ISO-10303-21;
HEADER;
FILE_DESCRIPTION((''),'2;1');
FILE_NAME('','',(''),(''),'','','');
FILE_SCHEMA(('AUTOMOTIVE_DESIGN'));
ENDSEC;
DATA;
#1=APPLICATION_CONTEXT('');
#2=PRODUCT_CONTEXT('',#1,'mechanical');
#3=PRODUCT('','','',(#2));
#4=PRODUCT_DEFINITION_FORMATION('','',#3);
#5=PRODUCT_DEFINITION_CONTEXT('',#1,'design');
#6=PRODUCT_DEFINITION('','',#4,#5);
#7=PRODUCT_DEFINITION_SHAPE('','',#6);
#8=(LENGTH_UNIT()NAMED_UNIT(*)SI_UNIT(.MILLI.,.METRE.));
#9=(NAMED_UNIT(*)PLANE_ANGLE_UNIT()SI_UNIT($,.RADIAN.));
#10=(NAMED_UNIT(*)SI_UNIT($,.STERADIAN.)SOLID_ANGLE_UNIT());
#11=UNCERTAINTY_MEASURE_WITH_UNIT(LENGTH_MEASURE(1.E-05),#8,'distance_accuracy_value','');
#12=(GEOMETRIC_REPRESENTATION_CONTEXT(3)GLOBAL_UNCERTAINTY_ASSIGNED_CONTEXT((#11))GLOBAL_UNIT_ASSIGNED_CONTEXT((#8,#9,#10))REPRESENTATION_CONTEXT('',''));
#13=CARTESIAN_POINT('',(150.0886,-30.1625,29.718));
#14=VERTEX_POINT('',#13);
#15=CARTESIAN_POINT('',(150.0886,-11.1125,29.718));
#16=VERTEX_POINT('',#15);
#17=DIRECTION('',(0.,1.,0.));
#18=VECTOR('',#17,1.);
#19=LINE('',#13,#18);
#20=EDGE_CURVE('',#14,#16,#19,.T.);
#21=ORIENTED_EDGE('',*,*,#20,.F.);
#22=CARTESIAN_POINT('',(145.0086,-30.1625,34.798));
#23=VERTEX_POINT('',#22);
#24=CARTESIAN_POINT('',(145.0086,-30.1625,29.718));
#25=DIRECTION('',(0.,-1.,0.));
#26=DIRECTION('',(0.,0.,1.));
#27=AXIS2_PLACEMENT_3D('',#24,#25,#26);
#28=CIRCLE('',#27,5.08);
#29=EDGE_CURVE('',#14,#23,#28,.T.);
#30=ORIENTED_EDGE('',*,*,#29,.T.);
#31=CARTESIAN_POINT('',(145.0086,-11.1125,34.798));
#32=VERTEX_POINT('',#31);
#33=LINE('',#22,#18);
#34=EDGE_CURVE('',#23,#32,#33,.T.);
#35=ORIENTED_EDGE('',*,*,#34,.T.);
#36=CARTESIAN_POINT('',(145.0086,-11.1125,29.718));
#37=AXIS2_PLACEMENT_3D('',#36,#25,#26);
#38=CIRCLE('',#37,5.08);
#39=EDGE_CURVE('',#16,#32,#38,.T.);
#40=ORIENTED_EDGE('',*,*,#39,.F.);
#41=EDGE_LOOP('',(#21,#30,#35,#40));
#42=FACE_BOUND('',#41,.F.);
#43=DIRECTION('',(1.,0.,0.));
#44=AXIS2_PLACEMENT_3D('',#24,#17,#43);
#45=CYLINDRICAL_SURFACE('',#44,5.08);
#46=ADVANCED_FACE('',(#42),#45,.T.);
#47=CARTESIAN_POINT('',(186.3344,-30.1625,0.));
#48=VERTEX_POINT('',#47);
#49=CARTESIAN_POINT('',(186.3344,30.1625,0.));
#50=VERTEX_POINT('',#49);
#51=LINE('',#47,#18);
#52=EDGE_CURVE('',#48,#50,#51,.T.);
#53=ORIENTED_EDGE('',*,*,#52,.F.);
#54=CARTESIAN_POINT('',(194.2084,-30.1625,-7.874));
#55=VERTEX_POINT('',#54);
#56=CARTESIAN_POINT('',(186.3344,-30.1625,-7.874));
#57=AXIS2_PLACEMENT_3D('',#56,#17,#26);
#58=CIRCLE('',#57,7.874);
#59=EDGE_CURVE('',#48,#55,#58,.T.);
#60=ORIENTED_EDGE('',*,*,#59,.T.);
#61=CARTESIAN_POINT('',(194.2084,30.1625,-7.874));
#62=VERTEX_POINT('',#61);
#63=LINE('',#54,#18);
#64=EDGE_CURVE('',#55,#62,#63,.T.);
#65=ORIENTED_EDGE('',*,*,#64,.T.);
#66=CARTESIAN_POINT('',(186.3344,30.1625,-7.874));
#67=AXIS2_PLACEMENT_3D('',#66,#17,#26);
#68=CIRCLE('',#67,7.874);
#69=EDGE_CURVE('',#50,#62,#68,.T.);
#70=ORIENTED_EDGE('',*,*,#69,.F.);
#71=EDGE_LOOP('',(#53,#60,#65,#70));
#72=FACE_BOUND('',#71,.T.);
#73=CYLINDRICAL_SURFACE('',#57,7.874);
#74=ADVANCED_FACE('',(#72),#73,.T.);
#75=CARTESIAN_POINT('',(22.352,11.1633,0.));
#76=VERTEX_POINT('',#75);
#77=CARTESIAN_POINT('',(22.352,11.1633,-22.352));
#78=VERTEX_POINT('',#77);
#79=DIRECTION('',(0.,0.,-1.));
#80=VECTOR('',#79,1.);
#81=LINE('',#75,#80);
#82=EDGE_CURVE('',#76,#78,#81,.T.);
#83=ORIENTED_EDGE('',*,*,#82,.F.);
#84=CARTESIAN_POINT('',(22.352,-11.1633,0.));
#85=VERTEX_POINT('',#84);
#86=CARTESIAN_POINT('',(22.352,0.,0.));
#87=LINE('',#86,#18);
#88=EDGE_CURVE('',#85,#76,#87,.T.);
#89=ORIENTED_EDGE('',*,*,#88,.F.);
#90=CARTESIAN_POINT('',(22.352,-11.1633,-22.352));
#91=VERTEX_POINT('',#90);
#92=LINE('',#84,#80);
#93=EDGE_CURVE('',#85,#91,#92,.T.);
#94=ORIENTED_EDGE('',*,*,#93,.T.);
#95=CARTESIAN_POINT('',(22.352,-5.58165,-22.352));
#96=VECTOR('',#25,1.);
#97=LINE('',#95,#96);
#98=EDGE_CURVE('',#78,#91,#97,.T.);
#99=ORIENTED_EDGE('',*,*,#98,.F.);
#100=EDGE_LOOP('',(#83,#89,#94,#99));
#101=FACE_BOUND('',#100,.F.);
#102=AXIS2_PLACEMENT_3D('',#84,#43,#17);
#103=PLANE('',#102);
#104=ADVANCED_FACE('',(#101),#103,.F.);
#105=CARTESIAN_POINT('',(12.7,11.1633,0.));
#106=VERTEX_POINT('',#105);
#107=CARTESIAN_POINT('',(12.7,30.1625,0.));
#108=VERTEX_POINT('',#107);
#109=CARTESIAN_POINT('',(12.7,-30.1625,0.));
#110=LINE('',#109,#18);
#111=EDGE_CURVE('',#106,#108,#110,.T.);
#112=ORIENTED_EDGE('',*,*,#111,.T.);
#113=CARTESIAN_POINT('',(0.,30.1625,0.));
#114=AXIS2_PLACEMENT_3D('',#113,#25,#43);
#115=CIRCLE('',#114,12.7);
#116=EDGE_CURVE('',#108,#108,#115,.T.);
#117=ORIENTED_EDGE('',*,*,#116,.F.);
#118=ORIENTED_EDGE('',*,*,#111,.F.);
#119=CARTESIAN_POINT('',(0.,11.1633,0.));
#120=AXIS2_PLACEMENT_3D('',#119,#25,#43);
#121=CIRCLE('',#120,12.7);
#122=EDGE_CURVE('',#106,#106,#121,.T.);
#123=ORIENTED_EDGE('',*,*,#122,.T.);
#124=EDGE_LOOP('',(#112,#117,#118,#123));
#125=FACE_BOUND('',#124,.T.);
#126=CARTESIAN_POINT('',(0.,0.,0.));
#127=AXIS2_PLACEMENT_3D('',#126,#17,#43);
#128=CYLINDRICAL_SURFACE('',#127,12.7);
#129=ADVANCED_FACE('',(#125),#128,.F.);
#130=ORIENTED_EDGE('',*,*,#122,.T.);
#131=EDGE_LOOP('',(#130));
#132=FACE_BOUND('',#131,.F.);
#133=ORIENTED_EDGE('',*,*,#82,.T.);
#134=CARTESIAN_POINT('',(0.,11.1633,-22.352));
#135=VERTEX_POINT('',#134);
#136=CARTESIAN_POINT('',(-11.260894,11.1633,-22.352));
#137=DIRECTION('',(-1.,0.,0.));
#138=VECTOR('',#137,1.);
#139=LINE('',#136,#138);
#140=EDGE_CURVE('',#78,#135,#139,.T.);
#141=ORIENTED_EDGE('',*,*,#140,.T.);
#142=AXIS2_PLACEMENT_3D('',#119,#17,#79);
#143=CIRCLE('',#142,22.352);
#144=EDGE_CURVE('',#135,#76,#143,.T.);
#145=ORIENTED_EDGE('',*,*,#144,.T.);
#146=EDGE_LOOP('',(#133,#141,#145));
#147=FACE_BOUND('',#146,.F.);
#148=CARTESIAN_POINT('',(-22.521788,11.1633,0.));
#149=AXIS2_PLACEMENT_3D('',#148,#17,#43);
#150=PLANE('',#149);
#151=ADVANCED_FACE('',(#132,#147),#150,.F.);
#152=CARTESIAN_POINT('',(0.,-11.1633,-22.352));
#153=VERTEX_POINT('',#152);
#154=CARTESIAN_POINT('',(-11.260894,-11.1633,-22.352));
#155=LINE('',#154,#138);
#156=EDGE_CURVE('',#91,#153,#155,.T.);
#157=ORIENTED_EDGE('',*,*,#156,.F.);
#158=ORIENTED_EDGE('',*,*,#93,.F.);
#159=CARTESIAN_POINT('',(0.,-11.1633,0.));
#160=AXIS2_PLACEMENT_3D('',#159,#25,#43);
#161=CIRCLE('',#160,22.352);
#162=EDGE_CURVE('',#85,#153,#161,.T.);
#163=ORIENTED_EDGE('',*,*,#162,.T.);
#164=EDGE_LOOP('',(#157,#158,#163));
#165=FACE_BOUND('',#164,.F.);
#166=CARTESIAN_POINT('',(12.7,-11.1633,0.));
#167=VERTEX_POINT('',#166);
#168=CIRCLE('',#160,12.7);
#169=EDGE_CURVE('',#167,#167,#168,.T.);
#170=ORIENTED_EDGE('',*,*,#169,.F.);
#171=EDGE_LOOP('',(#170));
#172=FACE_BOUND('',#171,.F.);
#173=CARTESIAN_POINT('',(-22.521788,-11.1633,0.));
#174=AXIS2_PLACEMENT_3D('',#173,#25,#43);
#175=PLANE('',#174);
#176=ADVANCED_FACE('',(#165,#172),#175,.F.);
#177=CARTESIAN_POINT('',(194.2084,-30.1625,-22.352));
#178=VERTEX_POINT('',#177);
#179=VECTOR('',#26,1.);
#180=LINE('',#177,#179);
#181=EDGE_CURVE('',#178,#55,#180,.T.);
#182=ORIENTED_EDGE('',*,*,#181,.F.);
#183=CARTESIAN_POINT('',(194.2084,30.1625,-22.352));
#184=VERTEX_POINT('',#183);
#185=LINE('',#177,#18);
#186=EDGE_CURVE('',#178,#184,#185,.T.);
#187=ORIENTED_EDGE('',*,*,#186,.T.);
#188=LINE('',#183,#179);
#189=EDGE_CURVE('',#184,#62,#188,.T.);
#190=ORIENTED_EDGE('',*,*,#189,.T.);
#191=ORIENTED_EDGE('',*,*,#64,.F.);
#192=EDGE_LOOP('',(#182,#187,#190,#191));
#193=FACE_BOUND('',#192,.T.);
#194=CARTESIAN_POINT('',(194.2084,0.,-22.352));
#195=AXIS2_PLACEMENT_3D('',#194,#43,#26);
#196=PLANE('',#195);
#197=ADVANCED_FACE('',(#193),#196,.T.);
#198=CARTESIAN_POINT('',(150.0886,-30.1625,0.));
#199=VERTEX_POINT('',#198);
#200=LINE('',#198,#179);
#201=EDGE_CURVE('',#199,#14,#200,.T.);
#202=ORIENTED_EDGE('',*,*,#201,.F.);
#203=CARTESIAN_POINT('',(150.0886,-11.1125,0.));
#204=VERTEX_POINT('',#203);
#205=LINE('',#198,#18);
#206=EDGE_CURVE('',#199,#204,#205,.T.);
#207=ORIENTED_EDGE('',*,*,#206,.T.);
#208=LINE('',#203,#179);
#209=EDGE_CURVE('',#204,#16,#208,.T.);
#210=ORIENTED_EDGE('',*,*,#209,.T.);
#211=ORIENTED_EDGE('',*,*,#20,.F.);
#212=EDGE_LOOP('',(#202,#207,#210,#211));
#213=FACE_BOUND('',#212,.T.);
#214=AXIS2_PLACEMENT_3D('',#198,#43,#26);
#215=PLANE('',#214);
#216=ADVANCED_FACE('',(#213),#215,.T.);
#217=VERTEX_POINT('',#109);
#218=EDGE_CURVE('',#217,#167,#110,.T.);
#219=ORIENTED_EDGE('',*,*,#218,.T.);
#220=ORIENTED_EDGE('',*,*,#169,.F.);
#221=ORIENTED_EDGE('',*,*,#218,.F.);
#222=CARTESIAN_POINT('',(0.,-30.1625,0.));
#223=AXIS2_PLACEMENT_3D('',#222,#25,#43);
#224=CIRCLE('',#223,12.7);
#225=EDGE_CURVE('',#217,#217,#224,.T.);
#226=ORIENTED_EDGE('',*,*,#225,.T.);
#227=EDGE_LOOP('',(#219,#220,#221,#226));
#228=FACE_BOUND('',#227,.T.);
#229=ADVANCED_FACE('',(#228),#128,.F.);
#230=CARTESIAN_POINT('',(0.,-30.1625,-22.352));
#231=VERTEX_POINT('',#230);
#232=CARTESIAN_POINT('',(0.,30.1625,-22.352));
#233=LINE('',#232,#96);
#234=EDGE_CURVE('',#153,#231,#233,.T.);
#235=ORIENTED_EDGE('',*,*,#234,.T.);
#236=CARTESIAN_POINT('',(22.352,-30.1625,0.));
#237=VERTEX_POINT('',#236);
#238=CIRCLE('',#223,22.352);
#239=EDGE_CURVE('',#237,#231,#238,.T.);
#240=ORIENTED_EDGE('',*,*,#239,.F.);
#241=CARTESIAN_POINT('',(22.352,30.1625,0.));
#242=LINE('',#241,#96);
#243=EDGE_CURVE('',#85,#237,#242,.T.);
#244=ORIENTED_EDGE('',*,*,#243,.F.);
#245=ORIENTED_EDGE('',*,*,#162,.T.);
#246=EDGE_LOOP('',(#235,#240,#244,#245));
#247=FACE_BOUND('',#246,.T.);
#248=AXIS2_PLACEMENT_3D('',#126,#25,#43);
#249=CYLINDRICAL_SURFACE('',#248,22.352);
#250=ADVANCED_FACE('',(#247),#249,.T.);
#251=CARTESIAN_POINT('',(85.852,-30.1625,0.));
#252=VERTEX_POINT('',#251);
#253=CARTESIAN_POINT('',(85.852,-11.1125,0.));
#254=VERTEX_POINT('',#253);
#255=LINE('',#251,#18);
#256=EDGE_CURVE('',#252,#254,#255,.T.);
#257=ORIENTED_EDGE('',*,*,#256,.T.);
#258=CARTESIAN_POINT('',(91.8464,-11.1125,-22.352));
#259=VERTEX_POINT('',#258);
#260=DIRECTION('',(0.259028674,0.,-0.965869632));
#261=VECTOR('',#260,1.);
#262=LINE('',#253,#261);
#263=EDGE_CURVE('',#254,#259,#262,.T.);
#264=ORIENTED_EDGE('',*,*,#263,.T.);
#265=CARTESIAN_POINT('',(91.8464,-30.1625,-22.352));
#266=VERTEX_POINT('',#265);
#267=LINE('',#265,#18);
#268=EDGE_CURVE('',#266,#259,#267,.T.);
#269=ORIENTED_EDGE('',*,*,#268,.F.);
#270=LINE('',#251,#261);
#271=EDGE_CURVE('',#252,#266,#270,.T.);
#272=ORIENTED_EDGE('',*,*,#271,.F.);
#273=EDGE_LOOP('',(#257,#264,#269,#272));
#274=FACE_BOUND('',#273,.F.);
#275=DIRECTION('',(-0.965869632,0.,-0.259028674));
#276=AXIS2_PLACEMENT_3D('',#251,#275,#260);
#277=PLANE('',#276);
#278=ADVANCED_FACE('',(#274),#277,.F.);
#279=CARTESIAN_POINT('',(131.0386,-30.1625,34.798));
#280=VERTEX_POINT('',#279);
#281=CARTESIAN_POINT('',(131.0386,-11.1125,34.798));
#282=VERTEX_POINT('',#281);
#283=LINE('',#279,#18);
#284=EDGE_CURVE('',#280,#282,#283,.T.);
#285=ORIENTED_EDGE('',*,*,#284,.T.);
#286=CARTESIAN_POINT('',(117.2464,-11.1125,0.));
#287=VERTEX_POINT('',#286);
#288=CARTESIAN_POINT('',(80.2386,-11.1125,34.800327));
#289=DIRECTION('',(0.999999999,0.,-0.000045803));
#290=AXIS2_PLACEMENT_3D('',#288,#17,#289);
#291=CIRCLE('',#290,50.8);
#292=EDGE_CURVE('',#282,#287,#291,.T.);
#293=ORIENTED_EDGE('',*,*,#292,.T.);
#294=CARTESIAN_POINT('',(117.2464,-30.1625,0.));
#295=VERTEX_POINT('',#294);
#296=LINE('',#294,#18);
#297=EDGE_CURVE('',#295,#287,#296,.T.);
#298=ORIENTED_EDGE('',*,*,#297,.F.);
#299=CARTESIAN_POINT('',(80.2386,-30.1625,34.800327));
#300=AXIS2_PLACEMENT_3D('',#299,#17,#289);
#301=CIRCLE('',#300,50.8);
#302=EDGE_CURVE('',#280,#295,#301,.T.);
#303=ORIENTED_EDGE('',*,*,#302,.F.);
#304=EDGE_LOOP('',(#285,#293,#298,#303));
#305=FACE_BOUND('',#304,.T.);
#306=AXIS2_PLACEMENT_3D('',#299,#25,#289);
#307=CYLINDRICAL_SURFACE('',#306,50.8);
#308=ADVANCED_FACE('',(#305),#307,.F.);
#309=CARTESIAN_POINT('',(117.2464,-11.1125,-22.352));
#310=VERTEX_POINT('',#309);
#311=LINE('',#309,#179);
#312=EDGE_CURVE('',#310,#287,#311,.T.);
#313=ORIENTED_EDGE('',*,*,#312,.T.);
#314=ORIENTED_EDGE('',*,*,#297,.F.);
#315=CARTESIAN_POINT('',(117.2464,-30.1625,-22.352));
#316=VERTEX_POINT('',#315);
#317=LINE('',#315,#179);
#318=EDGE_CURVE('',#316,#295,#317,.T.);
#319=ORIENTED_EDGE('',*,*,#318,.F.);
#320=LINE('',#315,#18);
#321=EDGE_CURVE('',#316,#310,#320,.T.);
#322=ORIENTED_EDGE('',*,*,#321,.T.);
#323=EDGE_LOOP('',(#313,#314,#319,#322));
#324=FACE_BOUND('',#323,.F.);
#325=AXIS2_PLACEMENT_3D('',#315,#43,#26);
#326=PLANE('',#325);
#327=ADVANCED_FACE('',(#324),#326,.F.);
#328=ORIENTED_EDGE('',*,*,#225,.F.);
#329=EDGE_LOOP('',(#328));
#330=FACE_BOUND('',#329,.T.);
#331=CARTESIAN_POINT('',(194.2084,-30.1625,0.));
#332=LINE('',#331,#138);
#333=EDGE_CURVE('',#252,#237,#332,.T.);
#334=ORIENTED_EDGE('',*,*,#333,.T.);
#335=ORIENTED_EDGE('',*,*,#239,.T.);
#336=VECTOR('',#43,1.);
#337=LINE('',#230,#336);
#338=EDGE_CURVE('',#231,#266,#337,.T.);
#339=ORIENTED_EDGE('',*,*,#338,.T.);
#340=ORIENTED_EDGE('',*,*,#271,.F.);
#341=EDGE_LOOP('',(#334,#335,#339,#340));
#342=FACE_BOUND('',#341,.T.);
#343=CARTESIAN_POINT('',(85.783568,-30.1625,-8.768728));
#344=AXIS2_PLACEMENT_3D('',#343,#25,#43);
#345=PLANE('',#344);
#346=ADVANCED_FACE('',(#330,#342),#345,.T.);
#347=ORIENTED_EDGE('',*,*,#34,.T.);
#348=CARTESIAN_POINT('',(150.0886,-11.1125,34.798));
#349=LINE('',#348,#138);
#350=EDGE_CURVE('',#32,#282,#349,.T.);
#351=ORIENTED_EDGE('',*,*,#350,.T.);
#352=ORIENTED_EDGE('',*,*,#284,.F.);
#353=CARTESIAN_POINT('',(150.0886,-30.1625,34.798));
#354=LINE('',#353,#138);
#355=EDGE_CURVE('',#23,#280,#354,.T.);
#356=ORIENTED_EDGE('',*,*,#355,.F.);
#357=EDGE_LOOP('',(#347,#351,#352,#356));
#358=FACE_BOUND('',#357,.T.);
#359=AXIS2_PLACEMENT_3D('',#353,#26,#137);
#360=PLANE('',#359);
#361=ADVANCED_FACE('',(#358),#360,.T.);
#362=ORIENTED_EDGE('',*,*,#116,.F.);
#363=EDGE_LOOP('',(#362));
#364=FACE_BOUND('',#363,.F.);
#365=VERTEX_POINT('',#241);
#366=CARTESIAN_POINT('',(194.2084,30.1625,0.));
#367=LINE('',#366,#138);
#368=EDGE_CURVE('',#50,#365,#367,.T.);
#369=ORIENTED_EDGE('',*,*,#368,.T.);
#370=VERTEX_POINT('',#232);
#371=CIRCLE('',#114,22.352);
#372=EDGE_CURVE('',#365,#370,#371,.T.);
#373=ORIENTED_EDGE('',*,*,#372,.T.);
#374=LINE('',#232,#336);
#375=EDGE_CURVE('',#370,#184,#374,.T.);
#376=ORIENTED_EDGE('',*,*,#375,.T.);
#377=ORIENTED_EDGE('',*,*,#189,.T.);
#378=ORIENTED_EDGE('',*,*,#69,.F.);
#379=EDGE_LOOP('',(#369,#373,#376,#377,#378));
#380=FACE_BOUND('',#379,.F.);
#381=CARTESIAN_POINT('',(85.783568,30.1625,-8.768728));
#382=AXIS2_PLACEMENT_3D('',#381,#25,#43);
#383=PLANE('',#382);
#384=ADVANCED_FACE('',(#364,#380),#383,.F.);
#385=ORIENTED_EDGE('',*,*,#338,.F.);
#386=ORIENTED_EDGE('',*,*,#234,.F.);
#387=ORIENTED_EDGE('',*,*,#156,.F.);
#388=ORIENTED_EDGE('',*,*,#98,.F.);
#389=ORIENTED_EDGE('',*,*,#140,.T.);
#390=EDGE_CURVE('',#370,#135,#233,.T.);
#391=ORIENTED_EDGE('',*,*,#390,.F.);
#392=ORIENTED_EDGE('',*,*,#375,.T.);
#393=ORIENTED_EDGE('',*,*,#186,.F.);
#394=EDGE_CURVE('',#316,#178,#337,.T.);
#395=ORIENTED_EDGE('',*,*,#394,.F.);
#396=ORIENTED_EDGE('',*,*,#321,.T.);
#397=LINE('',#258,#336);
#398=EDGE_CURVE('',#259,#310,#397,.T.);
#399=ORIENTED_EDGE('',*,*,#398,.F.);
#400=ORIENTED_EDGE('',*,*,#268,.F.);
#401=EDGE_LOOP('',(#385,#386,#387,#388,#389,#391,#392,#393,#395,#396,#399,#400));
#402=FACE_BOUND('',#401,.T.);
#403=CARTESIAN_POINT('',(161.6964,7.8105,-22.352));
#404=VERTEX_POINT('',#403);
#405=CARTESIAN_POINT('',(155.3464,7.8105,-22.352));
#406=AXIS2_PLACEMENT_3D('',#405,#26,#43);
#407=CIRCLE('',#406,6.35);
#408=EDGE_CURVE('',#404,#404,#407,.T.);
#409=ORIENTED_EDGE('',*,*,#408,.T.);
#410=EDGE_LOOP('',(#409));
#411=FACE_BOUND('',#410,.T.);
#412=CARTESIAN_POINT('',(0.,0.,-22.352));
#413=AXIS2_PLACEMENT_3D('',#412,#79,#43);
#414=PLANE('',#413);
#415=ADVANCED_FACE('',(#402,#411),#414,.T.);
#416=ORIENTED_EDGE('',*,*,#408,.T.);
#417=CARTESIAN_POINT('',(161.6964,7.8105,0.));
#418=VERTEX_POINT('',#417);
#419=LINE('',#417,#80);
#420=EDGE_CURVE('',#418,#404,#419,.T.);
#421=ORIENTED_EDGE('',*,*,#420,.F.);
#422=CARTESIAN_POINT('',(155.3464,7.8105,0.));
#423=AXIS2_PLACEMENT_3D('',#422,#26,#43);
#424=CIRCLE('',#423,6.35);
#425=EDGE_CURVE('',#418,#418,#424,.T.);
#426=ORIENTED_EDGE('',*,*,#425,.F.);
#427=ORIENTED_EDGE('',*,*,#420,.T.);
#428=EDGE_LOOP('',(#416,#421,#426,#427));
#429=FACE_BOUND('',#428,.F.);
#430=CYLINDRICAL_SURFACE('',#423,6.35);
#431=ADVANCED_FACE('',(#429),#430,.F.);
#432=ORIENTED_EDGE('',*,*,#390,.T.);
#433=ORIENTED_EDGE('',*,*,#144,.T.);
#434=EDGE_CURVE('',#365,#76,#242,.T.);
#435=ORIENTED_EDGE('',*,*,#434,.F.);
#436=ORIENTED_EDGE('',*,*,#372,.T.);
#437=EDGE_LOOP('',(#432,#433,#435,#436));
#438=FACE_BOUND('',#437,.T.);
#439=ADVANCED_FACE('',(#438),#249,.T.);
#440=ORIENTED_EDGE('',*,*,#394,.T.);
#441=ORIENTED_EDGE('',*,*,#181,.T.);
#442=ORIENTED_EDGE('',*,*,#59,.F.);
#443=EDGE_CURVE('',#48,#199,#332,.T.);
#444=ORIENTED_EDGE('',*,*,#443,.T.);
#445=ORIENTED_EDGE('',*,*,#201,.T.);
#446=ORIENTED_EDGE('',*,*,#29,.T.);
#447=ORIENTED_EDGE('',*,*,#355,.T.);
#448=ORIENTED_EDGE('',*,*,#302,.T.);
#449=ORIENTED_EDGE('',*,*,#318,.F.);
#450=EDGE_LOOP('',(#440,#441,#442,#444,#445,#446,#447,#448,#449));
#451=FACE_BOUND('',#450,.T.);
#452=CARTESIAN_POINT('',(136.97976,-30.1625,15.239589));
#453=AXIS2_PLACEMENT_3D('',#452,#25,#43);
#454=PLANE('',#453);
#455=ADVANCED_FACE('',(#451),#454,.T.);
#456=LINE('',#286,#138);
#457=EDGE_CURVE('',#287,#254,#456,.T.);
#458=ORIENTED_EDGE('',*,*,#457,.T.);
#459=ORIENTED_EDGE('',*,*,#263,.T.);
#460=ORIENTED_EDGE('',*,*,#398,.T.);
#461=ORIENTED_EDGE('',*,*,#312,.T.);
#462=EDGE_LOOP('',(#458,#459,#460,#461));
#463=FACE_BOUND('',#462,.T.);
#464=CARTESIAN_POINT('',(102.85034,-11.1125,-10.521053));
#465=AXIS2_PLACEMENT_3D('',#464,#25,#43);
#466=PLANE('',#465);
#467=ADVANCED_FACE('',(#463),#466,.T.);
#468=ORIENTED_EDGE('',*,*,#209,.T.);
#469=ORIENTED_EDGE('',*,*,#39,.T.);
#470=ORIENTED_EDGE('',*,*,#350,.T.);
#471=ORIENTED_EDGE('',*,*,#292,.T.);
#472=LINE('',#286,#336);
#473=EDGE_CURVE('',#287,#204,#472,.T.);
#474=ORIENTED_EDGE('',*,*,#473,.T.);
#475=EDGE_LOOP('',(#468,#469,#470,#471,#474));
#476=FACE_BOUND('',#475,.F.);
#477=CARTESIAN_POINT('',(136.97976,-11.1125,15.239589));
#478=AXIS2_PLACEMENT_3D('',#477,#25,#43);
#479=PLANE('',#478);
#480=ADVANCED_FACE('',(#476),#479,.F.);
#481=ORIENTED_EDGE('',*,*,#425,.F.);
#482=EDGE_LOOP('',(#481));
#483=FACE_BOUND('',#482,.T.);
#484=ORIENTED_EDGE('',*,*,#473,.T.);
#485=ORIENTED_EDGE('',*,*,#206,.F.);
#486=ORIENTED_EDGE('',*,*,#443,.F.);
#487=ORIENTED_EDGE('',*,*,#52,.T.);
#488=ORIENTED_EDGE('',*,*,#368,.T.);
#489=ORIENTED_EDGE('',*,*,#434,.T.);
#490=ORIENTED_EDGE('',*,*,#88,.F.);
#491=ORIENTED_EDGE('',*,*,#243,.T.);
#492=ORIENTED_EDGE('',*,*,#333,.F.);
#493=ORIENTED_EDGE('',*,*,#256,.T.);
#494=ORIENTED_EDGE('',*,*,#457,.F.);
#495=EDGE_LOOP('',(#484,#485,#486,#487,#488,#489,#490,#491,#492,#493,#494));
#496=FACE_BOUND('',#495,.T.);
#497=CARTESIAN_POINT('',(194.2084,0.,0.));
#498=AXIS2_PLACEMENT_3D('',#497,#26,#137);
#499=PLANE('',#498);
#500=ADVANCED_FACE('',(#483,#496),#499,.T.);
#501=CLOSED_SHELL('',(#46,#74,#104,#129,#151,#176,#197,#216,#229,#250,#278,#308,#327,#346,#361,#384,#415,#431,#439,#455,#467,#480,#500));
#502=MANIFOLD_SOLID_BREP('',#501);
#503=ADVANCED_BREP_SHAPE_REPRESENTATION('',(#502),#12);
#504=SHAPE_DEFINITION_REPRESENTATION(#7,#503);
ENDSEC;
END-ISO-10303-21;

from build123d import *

# Parameters (mm, degrees)
F0_R          = 12.7
F1_DEPTH      = 30.1625
F2_W          = 44.8737880948
F2_H          = 22.3266
F3_DEPTH      = 22.353
F3_DEPTH_BACK = 22.353
F5_DEPTH      = 19.05
F7_DEPTH      = 19.05
F8_R          = 6.35
F9_DEPTH      = 22.353
F10_R         = 7.874
F11_R         = 5.08


with BuildPart() as f1:
    # F0 (on Front) → F1 (new body, symmetric)
    with BuildSketch(Plane.XZ):
        with BuildLine():
            Line((194.2084, 0), (22.352, 0))
            ThreePointArc((22.352, 0), (-15.8052507731, 15.8052507731), (0, -22.352))
            Line((0, -22.352), (194.2084, -22.352))
            Line((194.2084, -22.352), (194.2084, 0))
        make_face()
        Circle(F0_R, mode=Mode.SUBTRACT)
    extrude(amount=F1_DEPTH, both=True)

    # F2 (on face) → F3 (cut, two sides)
    with BuildSketch(Plane.XY) as f3_sk:
        with Locations((-0.0848940474, 0)):
            Rectangle(F2_W, F2_H)
    extrude(amount=-F3_DEPTH, mode=Mode.SUBTRACT)
    extrude(f3_sk.sketch, amount=F3_DEPTH_BACK, mode=Mode.SUBTRACT)

    # F4 (on face) → F5 (cut)
    with BuildSketch(Plane.XZ.offset(30.1625)):
        Polygon((117.2464, 0), (85.852, 0), (91.8464, -22.352), (117.2464, -22.352), align=None)
    extrude(amount=-F5_DEPTH, mode=Mode.SUBTRACT)

    # F6 (on face) → F7 (join)
    with BuildSketch(Plane.XZ.offset(30.1625)):
        with BuildLine():
            Line((150.0886, 34.798), (131.0386, 34.798))
            ThreePointArc((131.0386, 34.798), (127.4644153616, 16.0823576341), (117.2464, 0))
            Line((117.2464, 0), (150.0886, 0))
            Line((150.0886, 0), (150.0886, 34.798))
        make_face()
    extrude(amount=-F7_DEPTH)

    # F8 (on face) → F9 (cut, through all)
    with BuildSketch(Plane.XY):
        with Locations((155.3464, 7.8105)):
            Circle(F8_R)
    extrude(amount=-F9_DEPTH, mode=Mode.SUBTRACT)

    # F10
    f10_edges = [f1.edges().sort_by_distance(p)[0] for p in [
        (194.2084, 0, 0),
    ]]
    fillet(f10_edges, radius=F10_R)

    # F11
    f11_edges = [f1.edges().sort_by_distance(p)[0] for p in [
        (150.0886, -20.6375, 34.798),
    ]]
    fillet(f11_edges, radius=F11_R)


solid = f1.part
